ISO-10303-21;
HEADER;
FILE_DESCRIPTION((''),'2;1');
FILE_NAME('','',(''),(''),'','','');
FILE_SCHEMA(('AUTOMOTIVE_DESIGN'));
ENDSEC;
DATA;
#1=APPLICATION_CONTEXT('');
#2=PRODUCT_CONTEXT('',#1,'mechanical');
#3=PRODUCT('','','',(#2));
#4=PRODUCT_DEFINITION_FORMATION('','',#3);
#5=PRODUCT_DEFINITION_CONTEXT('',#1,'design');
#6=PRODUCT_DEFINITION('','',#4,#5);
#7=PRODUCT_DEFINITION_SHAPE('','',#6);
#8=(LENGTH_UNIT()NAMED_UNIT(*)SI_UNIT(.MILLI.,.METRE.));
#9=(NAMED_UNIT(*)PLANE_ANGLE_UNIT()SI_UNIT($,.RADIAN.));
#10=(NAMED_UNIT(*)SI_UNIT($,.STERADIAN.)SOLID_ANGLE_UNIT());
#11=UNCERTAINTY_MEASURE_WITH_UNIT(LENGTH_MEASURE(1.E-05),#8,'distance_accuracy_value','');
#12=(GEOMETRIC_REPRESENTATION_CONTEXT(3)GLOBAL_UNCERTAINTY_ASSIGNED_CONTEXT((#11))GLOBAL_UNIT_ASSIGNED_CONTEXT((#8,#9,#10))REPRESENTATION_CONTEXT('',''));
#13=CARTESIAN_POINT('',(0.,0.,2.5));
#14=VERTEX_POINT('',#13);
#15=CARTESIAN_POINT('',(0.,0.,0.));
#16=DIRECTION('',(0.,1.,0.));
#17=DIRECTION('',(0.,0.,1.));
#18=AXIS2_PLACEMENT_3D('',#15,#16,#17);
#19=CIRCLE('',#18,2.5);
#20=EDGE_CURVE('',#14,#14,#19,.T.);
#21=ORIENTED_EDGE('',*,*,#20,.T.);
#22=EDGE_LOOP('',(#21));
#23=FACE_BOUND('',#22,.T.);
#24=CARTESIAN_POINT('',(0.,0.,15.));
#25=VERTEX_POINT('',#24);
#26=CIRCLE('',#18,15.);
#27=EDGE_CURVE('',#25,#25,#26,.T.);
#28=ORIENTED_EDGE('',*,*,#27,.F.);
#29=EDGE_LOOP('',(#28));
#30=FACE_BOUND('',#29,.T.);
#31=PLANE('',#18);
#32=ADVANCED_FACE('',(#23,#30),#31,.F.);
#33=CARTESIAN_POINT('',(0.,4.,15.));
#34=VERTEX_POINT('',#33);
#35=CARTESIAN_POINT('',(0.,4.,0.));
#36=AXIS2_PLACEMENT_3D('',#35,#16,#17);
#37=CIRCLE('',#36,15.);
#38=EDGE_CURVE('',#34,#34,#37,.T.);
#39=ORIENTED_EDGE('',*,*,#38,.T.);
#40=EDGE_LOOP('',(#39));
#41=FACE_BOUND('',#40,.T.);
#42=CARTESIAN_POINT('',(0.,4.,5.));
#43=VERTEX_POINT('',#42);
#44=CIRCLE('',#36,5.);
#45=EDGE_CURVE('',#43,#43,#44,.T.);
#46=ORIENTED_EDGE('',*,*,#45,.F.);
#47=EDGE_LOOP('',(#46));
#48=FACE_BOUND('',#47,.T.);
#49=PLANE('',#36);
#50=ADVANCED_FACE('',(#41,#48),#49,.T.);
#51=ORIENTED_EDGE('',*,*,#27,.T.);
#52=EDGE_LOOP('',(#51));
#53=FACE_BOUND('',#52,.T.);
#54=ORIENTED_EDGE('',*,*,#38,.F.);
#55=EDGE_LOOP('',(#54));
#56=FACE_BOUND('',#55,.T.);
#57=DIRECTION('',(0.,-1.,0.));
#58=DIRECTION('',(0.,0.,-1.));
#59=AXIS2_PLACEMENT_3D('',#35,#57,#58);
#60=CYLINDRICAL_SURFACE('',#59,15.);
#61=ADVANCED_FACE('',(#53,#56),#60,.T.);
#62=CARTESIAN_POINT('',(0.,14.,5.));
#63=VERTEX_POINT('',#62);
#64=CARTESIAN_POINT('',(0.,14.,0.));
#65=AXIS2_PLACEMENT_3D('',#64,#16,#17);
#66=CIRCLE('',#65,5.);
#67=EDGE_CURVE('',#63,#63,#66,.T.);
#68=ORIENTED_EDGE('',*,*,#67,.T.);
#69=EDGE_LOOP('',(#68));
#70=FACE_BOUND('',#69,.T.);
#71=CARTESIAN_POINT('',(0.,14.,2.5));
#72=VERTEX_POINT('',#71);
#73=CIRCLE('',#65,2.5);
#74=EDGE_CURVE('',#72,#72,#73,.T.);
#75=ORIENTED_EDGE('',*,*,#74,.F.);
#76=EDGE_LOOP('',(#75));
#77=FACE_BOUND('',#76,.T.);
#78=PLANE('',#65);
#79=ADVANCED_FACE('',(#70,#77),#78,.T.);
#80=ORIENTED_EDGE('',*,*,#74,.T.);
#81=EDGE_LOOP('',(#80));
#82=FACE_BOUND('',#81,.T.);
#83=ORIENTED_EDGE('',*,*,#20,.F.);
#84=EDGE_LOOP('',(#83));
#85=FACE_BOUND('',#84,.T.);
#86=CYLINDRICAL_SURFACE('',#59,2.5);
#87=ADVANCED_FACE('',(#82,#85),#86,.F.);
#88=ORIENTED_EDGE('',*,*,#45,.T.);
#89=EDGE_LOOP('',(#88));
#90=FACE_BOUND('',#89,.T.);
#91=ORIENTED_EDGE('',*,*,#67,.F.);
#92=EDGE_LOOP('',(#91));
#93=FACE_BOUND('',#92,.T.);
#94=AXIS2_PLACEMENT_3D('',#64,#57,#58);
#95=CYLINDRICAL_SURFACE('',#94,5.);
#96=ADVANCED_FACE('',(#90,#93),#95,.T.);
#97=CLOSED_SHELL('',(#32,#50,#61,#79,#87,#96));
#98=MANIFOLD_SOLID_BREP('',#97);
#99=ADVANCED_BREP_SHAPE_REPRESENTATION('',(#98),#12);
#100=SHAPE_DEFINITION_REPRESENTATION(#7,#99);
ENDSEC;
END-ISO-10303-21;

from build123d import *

# Parameters (mm, degrees)
SKETCH1_R           = 15
SKETCH1_R_2         = 2.5
BOSS_EXTRUDE1_DEPTH = 4
SKETCH2_R           = 5
SKETCH2_R_2         = 2.5
BOSS_EXTRUDE2_DEPTH = 10


with BuildPart() as part:
    # Sketch1 → Boss-Extrude1 (new body)
    with BuildSketch(Plane(origin=(0, 0, 0), x_dir=(1, 0, 0), z_dir=(0, 1, 0))):
        with Locations(Location((0, 0, 0), (0, 0, 270))):
            Circle(SKETCH1_R)
        with Locations(Location((0, 0, 0), (0, 0, 270))):
            Circle(SKETCH1_R_2, mode=Mode.SUBTRACT)
    extrude(amount=BOSS_EXTRUDE1_DEPTH)

    # Sketch2 → Boss-Extrude2 (add)
    with BuildSketch(Plane(origin=(0, 4, 0), x_dir=(1, 0, 0), z_dir=(0, 1, 0))):
        with Locations(Location((0, 0, 0), (0, 0, 270))):
            Circle(SKETCH2_R)
        with Locations(Location((0, 0, 0), (0, 0, 270))):
            Circle(SKETCH2_R_2, mode=Mode.SUBTRACT)
    extrude(amount=BOSS_EXTRUDE2_DEPTH)


solid = part.part
